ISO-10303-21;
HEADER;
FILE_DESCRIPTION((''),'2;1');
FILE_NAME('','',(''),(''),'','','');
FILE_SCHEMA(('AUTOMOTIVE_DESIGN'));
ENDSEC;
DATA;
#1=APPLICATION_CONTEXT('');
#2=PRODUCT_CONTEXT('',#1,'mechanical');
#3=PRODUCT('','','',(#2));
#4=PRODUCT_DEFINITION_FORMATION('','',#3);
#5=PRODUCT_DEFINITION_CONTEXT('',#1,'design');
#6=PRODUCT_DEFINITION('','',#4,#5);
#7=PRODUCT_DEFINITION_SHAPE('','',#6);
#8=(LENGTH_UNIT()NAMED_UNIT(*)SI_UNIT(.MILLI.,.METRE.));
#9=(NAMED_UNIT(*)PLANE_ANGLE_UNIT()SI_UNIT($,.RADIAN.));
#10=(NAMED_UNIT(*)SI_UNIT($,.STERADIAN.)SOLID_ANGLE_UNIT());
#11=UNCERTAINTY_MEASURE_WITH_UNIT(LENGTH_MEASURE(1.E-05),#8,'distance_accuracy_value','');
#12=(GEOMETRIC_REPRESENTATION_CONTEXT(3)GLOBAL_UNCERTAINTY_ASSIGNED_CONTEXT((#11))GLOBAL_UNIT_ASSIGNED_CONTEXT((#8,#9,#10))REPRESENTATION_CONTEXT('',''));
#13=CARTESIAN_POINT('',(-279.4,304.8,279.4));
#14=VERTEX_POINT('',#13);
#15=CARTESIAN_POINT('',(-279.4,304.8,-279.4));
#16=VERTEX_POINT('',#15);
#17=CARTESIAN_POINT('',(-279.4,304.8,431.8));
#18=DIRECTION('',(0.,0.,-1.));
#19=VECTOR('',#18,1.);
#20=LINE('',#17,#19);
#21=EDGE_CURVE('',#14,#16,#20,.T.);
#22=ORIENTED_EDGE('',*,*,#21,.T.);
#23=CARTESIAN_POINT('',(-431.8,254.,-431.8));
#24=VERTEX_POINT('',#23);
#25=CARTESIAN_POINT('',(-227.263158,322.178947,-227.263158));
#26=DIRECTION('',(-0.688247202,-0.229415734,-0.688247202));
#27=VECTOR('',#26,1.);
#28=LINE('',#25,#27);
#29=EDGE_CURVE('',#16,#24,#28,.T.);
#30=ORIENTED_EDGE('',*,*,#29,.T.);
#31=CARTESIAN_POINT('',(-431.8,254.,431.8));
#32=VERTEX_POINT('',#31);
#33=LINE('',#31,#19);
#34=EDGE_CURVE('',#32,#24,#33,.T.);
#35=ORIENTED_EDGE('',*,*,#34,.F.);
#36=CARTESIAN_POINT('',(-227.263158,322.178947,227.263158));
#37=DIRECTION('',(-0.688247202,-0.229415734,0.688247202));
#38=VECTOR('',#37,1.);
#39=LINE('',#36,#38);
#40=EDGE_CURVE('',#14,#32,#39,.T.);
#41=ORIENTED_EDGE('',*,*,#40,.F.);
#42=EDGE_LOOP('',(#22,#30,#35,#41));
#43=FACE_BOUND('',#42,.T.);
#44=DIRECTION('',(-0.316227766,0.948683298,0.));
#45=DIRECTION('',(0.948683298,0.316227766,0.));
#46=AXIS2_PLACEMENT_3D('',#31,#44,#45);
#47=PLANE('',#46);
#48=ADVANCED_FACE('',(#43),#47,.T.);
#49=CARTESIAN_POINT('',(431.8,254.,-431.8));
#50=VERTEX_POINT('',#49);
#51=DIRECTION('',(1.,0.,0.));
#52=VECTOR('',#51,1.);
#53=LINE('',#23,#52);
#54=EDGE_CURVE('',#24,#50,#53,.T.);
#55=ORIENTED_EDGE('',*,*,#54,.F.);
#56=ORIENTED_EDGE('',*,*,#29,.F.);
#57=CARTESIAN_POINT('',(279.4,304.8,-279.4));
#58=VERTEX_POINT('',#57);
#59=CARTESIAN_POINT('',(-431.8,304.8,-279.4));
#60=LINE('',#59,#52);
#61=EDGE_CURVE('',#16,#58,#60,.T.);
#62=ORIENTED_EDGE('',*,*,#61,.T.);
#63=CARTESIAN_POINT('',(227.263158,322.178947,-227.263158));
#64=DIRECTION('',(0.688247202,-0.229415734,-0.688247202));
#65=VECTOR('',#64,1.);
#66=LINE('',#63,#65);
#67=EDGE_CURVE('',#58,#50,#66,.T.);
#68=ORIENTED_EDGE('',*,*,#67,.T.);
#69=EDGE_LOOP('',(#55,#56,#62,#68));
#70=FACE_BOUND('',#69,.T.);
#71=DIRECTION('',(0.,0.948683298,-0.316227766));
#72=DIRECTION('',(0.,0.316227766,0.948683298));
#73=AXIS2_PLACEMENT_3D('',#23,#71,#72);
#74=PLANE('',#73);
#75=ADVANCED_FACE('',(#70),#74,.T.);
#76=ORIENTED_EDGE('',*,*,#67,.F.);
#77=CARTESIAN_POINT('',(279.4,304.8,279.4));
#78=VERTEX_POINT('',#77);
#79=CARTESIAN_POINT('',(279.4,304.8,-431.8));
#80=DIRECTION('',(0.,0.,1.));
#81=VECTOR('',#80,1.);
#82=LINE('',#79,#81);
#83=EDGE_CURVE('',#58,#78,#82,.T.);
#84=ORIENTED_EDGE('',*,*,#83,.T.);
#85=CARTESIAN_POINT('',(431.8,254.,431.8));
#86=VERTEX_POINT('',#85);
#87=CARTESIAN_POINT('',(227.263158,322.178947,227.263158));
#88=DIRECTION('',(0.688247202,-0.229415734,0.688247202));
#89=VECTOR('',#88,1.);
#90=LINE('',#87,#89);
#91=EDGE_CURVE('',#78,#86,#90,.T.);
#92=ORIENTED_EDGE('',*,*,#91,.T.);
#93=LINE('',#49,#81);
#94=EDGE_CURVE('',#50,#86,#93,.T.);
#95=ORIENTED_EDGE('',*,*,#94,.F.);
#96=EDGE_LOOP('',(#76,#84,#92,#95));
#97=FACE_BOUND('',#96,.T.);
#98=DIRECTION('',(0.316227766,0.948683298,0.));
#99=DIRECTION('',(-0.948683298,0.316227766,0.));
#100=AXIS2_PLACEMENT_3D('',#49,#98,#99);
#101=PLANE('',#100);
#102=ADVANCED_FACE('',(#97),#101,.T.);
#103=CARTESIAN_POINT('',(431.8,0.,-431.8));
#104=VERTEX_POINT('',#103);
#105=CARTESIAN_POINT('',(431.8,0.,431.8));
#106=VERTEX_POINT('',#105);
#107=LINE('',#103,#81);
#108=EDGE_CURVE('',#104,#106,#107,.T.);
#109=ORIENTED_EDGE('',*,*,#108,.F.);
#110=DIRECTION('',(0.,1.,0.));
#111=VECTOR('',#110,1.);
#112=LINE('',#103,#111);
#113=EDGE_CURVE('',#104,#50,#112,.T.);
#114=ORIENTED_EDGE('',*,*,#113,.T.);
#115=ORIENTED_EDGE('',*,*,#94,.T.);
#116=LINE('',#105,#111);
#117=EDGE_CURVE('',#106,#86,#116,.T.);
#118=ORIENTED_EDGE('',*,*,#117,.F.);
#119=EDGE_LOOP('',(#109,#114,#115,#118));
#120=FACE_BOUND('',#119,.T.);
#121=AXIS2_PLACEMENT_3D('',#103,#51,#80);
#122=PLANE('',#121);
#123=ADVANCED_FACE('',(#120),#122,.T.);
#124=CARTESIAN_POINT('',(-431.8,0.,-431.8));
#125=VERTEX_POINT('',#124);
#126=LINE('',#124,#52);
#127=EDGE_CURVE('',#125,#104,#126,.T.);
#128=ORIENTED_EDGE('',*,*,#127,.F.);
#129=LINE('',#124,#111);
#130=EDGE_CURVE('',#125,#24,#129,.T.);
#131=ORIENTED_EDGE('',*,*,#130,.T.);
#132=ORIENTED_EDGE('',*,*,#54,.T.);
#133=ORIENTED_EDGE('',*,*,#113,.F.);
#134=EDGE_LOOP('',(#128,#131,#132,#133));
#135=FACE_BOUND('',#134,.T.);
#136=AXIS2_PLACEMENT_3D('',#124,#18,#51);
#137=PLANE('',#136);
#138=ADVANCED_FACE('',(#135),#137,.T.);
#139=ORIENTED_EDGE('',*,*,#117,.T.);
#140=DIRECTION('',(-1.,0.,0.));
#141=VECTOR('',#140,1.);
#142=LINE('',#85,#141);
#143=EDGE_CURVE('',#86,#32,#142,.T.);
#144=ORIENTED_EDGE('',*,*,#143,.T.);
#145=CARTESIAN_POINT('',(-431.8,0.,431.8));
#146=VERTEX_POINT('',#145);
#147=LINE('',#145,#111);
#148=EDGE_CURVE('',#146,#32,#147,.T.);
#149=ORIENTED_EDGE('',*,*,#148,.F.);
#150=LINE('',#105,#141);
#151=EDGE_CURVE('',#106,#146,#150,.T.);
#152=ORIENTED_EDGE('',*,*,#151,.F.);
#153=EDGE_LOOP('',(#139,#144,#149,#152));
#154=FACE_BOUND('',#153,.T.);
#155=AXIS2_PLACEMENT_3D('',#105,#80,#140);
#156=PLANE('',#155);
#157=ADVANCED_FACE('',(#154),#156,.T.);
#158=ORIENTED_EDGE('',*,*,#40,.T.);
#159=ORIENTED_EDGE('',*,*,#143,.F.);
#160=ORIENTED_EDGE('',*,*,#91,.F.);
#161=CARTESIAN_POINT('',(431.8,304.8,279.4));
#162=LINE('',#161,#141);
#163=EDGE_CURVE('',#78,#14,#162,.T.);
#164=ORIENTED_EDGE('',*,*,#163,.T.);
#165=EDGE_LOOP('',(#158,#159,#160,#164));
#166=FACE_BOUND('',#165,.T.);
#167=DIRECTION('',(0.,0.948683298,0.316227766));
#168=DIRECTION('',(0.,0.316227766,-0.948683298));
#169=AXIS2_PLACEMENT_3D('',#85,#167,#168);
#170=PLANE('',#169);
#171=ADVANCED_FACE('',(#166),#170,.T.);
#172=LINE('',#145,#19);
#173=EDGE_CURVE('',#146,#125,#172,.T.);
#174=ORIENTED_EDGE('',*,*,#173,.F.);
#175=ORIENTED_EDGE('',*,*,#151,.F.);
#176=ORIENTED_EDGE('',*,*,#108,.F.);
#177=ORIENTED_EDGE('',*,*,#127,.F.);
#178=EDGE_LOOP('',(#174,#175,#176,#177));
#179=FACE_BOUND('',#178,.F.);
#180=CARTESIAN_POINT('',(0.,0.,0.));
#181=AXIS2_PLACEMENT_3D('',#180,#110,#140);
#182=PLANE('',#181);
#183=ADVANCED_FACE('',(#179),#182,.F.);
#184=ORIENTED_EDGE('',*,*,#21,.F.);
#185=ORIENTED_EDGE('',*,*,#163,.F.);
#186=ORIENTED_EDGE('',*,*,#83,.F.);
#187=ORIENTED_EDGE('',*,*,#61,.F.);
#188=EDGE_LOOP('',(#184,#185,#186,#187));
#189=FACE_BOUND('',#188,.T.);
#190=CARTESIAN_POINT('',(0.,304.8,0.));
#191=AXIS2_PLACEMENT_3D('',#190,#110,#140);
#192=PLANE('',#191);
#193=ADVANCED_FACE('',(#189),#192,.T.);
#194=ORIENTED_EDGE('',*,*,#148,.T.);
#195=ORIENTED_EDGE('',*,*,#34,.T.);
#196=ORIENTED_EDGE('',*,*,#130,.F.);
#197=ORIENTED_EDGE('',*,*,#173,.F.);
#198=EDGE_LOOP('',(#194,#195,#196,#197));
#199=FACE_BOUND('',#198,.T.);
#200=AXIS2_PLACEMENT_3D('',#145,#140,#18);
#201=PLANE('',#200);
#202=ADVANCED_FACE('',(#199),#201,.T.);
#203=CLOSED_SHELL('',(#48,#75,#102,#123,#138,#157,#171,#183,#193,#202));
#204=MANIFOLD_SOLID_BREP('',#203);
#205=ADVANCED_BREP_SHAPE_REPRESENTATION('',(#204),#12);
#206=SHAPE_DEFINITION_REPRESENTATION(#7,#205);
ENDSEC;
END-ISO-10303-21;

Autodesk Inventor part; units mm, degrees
ref_plane "YZ Plane" through (0, 0, 0) normal (1, 0, 0) x (0, 1, 0)
ref_plane "XZ Plane" through (0, 0, 0) normal (0, 1, 0) x (-1, 0, 0)
ref_plane "XY Plane" through (0, 0, 0) normal (0, 0, 1) x (1, 0, 0)
sketch "Sketch1" plane through (0, 0, 0) normal (0, 1, 0) x (-1, 0, 0)
  line L0 (431.8, -431.8) -> (-431.8, -431.8)
  line L1 (-431.8, -431.8) -> (-431.8, 431.8)
  line L2 (-431.8, 431.8) -> (431.8, 431.8)
  line L3 (431.8, 431.8) -> (431.8, -431.8)
  line L4 (431.8, -431.8) -> (-431.8, 431.8) construction
  line L5 (-431.8, -431.8) -> (431.8, 431.8) construction
  point P0 (0, 0)
  dimension "d0" = 863.6
  dimension "d1" = 863.6
extrude "Extrusion1" add sketch "Sketch1" along normal blind 304.8
sketch "Sketch2" plane through (431.8, 0, 431.8) normal (1, 0, 0) x (0, 0, -1)
  line L0 (0, 0) -> (0, 304.8) projected
  line L1 (0, 304.8) -> (863.6, 304.8) projected
  line L2 (0, 254) -> (152.4, 304.8)
  line L3 (152.4, 304.8) -> (0, 304.8)
  line L4 (0, 304.8) -> (0, 254)
  point P0 (431.8, 0)
  dimension "d4" = 152.4
  dimension "d5" = 50.8
sketch3d "3D Sketch1"
  line L0 (431.8, 304.8, 431.8) -> (-431.8, 304.8, 431.8)
  line L1 (-431.8, 304.8, 431.8) -> (-431.8, 304.8, -431.8)
  line L2 (-431.8, 304.8, -431.8) -> (431.8, 304.8, -431.8)
  line L3 (431.8, 304.8, -431.8) -> (431.8, 304.8, 431.8)
sweep "Sweep1" cut profiles "Sketch2" path "3D Sketch1"
properties part number "Full_Cap_1" material "Limestone"
